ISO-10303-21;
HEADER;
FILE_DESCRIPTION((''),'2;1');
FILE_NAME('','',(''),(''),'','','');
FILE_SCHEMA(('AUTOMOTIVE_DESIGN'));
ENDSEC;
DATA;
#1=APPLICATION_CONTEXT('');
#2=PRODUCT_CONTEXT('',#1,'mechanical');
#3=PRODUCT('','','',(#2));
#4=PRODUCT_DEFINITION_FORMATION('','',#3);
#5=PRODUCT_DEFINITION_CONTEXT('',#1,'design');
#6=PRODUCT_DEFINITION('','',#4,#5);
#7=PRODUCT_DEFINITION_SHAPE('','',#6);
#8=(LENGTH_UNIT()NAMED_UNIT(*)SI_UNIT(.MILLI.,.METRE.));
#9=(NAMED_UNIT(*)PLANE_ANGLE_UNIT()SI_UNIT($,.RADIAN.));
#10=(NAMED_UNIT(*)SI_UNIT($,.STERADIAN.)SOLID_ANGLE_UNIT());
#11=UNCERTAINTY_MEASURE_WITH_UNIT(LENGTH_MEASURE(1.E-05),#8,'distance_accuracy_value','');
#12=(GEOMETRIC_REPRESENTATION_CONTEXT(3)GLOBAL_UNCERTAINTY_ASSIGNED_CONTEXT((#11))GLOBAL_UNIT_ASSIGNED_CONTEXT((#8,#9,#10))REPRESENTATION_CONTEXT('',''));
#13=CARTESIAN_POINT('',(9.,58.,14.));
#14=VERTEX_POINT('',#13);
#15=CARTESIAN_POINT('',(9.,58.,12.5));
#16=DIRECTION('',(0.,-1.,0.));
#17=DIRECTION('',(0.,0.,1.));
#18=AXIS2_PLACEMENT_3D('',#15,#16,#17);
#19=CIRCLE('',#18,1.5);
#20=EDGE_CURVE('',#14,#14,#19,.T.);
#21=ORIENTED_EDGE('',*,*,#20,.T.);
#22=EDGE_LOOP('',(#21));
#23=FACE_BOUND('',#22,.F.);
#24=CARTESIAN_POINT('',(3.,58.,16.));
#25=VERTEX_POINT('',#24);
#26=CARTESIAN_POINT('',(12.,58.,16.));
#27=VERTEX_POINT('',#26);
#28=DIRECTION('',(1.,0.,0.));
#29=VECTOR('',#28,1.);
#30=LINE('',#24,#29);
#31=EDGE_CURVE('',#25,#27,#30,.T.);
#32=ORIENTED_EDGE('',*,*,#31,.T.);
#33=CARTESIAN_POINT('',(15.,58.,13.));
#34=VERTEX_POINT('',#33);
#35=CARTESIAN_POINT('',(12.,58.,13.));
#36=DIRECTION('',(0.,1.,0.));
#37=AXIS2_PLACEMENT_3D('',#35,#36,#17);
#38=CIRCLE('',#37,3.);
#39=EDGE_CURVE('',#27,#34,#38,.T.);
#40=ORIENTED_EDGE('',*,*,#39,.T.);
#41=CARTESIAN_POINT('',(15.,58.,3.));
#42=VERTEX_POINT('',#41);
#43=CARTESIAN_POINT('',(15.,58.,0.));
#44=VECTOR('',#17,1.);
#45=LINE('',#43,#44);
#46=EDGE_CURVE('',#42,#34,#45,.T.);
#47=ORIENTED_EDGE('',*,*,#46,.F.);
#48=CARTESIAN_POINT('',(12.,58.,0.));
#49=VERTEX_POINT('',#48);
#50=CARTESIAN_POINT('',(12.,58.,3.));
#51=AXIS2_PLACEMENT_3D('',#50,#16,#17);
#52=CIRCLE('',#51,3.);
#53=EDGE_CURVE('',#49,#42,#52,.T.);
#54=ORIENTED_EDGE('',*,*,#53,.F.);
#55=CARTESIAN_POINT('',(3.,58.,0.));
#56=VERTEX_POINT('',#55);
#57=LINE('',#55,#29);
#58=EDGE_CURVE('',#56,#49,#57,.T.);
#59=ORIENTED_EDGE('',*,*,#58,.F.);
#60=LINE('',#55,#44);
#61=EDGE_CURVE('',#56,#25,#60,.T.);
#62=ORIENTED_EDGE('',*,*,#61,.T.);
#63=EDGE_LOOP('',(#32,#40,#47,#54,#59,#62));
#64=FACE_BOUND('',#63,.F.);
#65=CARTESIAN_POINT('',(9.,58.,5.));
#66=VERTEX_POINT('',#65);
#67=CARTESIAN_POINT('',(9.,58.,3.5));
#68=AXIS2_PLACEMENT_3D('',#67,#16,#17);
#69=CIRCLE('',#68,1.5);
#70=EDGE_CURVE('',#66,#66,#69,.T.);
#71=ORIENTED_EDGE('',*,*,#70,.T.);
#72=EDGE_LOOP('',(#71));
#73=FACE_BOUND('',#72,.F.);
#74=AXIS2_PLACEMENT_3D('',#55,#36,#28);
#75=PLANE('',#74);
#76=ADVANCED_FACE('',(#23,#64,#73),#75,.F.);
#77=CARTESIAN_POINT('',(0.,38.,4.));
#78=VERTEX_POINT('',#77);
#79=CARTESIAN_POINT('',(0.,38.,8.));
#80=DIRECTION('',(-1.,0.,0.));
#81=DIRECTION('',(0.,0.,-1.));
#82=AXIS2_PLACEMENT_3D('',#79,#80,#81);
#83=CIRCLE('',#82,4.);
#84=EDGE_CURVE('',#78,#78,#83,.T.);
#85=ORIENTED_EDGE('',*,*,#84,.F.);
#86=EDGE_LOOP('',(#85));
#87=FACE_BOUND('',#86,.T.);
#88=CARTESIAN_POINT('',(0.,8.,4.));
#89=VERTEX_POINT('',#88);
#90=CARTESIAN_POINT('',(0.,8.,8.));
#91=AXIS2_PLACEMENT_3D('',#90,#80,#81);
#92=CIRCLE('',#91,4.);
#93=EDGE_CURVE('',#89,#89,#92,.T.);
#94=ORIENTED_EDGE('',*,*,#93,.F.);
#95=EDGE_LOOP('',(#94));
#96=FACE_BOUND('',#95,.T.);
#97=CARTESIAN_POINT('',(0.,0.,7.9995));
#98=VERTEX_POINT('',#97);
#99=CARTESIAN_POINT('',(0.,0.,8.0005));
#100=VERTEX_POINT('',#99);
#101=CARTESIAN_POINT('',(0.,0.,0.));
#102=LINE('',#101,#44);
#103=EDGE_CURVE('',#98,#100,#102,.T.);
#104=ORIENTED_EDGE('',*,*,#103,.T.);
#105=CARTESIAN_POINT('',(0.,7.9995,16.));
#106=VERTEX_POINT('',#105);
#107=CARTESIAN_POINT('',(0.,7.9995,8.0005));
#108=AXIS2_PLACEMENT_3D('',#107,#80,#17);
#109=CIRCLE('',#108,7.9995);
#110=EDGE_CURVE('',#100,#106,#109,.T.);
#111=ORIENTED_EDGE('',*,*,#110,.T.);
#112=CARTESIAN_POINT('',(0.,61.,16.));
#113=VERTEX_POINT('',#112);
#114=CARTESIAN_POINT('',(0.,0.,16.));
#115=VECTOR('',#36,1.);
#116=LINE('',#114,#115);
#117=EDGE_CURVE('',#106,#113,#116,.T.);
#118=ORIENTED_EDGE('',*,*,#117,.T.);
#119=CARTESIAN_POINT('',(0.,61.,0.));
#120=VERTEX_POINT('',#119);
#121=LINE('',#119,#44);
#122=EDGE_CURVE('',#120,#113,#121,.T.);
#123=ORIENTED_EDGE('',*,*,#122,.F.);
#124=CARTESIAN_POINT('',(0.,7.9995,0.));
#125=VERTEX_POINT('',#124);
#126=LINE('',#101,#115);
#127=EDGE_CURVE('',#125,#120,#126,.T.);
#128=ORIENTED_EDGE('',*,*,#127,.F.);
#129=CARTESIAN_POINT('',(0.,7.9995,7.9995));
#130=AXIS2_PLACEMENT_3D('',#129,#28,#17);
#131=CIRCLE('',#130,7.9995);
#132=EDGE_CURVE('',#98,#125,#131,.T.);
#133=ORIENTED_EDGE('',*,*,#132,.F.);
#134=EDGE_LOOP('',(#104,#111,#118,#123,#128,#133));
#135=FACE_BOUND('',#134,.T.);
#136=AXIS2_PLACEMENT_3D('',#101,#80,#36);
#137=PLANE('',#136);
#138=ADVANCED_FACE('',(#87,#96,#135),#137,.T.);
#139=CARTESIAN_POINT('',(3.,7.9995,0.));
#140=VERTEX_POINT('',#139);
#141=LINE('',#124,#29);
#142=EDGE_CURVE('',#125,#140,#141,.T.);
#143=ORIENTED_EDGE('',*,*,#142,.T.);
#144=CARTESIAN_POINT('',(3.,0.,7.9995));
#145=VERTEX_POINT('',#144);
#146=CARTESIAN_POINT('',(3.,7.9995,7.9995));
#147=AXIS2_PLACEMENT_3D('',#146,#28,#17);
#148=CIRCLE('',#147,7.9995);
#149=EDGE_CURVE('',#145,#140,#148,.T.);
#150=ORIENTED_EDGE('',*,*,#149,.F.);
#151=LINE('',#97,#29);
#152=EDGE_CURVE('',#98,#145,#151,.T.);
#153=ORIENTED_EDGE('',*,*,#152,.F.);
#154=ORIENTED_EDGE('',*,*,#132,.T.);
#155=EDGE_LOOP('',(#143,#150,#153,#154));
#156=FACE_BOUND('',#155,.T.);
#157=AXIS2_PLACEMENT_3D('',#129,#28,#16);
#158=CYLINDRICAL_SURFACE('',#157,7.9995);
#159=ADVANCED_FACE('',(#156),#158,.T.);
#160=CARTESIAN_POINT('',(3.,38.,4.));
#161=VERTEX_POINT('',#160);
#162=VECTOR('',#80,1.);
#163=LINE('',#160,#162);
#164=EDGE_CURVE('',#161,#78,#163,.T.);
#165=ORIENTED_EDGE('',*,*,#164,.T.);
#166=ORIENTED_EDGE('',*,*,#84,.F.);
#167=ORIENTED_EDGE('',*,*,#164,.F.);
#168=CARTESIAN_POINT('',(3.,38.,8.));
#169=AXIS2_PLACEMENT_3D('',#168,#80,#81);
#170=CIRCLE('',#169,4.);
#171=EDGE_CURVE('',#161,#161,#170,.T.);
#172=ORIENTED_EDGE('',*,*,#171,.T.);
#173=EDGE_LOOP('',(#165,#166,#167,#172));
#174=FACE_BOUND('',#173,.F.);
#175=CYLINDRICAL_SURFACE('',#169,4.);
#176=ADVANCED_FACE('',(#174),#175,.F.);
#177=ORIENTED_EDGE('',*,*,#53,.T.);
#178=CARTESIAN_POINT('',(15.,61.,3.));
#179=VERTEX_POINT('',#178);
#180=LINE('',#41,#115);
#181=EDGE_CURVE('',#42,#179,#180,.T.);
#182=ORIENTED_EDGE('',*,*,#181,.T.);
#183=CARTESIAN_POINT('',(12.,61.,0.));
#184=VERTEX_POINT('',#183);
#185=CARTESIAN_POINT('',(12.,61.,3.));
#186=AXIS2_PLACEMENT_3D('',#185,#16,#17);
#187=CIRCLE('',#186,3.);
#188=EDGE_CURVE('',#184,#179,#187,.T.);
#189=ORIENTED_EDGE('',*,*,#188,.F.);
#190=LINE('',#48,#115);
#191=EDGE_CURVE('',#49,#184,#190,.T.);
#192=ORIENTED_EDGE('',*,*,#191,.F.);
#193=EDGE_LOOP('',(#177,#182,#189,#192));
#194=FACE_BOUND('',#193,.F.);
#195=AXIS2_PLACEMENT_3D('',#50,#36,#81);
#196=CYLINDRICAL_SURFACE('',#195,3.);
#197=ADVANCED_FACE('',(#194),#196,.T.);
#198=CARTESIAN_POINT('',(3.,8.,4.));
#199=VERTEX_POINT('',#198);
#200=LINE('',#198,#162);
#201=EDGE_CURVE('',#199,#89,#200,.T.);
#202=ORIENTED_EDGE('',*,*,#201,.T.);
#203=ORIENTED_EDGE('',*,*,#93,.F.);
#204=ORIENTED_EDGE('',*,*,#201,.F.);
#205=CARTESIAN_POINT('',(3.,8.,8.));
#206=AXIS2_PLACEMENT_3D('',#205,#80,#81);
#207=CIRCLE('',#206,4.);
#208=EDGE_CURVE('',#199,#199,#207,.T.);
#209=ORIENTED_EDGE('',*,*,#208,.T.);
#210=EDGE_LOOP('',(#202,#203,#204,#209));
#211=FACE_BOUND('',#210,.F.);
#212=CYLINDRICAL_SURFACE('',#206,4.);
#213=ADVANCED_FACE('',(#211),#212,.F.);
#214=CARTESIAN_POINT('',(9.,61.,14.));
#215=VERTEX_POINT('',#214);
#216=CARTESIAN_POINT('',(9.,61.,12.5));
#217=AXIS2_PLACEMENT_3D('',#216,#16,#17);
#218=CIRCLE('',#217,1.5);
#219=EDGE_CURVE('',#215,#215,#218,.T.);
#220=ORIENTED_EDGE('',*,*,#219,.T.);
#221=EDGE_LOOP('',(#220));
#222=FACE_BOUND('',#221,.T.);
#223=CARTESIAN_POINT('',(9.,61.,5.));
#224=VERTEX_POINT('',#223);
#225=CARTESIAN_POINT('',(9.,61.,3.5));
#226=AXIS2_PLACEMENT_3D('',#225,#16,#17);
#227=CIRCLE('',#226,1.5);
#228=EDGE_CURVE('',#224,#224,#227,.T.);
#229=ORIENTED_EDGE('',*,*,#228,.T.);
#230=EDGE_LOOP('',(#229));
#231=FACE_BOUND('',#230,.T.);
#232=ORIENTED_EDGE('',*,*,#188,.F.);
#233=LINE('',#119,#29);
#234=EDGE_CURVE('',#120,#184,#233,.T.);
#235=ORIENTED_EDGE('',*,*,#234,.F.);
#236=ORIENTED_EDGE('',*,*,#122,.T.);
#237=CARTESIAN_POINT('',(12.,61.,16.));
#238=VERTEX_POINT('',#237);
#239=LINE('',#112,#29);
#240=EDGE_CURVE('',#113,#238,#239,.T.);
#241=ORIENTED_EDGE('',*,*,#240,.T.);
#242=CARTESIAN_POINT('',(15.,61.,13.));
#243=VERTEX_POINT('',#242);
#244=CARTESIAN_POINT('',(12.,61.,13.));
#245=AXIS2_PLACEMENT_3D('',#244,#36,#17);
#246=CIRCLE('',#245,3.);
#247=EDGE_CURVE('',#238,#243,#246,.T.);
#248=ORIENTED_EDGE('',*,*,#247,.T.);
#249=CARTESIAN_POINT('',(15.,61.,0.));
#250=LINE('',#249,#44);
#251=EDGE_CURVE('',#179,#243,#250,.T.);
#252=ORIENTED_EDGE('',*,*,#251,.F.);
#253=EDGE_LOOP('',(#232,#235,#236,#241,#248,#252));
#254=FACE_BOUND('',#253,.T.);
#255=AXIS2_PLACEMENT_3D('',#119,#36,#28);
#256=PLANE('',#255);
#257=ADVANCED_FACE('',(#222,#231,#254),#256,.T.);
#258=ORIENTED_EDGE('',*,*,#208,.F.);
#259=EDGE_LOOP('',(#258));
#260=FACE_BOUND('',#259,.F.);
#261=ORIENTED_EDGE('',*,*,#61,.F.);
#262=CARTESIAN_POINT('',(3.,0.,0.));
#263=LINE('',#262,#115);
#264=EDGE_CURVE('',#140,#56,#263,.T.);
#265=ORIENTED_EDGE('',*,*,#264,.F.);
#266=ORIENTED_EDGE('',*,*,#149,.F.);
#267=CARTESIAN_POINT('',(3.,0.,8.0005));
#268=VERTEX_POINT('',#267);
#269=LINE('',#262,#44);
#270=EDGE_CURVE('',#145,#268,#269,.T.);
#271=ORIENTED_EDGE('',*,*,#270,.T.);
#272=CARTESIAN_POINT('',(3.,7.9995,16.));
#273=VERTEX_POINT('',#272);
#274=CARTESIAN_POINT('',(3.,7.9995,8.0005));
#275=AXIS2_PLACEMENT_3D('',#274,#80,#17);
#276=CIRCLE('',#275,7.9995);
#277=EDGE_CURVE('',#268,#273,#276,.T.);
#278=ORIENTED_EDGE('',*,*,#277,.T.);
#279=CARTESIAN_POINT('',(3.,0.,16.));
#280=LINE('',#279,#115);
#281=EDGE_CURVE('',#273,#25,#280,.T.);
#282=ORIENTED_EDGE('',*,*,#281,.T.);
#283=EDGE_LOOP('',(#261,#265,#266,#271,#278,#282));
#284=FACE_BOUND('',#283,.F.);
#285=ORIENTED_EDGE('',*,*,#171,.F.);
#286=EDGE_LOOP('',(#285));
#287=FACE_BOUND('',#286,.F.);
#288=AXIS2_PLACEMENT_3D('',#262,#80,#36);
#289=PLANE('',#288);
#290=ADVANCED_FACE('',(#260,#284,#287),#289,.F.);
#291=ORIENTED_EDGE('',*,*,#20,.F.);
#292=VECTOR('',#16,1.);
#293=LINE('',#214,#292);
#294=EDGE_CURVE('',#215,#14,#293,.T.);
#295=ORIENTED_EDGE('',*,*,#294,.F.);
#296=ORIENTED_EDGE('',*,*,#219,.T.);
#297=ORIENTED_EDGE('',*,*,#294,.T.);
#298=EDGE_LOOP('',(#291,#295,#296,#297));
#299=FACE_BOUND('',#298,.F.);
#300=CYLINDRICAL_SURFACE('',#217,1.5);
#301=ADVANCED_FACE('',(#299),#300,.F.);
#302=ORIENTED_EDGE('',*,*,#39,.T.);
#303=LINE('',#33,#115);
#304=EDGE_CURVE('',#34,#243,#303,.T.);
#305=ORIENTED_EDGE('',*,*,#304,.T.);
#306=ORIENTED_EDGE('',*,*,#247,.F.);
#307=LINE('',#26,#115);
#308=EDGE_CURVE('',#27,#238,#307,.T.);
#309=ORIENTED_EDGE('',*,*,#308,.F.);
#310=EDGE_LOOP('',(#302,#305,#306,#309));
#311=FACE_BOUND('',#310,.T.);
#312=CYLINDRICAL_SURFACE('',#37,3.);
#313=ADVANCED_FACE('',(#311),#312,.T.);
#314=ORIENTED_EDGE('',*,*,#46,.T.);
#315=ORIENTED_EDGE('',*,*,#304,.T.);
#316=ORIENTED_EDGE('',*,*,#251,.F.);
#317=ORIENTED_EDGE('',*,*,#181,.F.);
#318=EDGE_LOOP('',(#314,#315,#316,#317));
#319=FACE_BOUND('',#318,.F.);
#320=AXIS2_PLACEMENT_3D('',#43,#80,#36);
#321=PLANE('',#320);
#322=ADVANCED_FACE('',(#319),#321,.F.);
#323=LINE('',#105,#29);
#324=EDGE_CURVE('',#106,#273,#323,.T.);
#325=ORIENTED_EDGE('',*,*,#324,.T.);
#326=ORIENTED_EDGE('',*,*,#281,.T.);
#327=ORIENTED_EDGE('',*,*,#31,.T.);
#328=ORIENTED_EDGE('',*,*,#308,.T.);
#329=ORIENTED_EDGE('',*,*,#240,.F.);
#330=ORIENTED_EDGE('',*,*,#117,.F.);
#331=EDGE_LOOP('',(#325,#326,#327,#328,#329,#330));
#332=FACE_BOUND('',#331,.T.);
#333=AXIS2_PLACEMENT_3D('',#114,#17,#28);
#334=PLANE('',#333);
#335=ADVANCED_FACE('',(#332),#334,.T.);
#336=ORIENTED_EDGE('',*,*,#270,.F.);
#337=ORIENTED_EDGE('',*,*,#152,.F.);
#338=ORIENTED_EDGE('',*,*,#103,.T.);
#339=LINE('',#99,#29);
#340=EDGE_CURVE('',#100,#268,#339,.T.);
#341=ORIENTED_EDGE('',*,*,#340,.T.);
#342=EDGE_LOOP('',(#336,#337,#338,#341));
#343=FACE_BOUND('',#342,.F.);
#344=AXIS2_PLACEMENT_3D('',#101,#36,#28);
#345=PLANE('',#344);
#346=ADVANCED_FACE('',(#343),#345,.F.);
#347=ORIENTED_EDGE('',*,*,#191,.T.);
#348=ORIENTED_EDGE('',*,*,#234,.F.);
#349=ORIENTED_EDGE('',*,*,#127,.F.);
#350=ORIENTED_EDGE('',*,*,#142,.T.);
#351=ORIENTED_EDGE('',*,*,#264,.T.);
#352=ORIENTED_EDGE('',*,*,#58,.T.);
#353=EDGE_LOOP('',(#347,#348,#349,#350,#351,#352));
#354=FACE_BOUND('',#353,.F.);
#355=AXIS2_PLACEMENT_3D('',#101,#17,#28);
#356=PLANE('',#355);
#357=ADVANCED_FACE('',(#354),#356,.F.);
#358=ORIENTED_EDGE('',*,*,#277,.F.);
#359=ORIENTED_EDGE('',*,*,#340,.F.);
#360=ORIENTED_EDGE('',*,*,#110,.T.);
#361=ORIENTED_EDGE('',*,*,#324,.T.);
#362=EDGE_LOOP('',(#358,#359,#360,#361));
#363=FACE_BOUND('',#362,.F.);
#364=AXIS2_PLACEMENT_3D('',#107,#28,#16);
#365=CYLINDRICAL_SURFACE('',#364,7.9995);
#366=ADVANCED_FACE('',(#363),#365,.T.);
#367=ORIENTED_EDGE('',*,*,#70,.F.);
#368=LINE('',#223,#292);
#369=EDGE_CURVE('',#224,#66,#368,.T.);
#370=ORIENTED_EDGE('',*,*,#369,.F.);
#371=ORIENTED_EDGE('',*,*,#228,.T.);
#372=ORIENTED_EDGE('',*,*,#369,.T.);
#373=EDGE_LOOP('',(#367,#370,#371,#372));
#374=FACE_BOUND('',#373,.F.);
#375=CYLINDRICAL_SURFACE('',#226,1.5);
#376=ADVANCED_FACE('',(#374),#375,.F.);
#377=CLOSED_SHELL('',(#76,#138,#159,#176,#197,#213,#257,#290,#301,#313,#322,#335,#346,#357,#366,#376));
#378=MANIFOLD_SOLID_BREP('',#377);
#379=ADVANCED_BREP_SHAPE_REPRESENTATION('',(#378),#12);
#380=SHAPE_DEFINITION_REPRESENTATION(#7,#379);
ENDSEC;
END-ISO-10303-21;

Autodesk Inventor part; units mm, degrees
ref_plane "YZ Plane" through (0, 0, 0) normal (1, 0, 0) x (0, 1, 0)
ref_plane "XZ Plane" through (0, 0, 0) normal (0, 1, 0) x (-1, 0, 0)
ref_plane "XY Plane" through (0, 0, 0) normal (0, 0, 1) x (1, 0, 0)
sketch "Sketch1" plane through (0, 0, 0) normal (0, 0, 1) x (1, 0, 0)
  line L0 (0, 0) -> (0, 61)
  line L1 (3, 0) -> (3, 58)
  line L2 (0, 0) -> (3, 0)
  line L3 (3, 58) -> (15, 58)
  line L4 (0, 61) -> (15, 61)
  line L5 (15, 58) -> (15, 61)
  point P0 (9, 61)
  dimension "d0" = 61
  dimension "d2" = 3
  dimension "d3" = 12
  dimension "d4" = 3
extrude "Extrusion1" add sketch "Sketch1" along normal blind 16
fillet "Fillet1" radius 8 2 edges at (1.5, 0, 16) (1.5, 0, 0)
sketch "Sketch2" plane through (3, 58, 16) normal (1, 0, 0) x (0, 0, -1)
  arc A0 (0, -50) -> (16, -50) centre (8, -50) ccw construction
  line L0 (16, -50) -> (16, 0) construction
  line L1 (16, 0) -> (0, 0) construction
  line L2 (0, -50) -> (0, 0) construction
  line L3 (16, 3) -> (0, 3) projected
  point P0 (16, -58)
  point P1 (8, -20)
  dimension "d8" = 30
  dimension "d9" = 23
  dimension "d10" = 8
  dimension "d11" = 8
hole "Hole1" at (3, 8, 8) at (3, 38, 8) direction (-1, 0, 0) diameter 8 end through all
sketch "Sketch3" plane through (0, 61, 0) normal (0, 1, 0) x (1, 0, 0)
  line L0 (15, 0) -> (0, 0) projected
  line L1 (0, 0) -> (0, -16) projected
  line L2 (15, -16) -> (0, -16) projected
  line L3 (15, 0) -> (15, -16) projected
  point P0 (9, -12.5)
  point P1 (9, -3.5)
  point P2 (0, -8)
  dimension "d19" = 9
  dimension "d20" = 9
  dimension "d21" = 4.5
hole "Hole2" at (9, 61, 12.5) at (9, 61, 3.5) direction (0, -1, 0) diameter 3 end through all
fillet "Fillet2" radius 3 2 edges at (15, 59.5, 16) (15, 59.5, 0)
properties part number "HUDSON-1-75"
